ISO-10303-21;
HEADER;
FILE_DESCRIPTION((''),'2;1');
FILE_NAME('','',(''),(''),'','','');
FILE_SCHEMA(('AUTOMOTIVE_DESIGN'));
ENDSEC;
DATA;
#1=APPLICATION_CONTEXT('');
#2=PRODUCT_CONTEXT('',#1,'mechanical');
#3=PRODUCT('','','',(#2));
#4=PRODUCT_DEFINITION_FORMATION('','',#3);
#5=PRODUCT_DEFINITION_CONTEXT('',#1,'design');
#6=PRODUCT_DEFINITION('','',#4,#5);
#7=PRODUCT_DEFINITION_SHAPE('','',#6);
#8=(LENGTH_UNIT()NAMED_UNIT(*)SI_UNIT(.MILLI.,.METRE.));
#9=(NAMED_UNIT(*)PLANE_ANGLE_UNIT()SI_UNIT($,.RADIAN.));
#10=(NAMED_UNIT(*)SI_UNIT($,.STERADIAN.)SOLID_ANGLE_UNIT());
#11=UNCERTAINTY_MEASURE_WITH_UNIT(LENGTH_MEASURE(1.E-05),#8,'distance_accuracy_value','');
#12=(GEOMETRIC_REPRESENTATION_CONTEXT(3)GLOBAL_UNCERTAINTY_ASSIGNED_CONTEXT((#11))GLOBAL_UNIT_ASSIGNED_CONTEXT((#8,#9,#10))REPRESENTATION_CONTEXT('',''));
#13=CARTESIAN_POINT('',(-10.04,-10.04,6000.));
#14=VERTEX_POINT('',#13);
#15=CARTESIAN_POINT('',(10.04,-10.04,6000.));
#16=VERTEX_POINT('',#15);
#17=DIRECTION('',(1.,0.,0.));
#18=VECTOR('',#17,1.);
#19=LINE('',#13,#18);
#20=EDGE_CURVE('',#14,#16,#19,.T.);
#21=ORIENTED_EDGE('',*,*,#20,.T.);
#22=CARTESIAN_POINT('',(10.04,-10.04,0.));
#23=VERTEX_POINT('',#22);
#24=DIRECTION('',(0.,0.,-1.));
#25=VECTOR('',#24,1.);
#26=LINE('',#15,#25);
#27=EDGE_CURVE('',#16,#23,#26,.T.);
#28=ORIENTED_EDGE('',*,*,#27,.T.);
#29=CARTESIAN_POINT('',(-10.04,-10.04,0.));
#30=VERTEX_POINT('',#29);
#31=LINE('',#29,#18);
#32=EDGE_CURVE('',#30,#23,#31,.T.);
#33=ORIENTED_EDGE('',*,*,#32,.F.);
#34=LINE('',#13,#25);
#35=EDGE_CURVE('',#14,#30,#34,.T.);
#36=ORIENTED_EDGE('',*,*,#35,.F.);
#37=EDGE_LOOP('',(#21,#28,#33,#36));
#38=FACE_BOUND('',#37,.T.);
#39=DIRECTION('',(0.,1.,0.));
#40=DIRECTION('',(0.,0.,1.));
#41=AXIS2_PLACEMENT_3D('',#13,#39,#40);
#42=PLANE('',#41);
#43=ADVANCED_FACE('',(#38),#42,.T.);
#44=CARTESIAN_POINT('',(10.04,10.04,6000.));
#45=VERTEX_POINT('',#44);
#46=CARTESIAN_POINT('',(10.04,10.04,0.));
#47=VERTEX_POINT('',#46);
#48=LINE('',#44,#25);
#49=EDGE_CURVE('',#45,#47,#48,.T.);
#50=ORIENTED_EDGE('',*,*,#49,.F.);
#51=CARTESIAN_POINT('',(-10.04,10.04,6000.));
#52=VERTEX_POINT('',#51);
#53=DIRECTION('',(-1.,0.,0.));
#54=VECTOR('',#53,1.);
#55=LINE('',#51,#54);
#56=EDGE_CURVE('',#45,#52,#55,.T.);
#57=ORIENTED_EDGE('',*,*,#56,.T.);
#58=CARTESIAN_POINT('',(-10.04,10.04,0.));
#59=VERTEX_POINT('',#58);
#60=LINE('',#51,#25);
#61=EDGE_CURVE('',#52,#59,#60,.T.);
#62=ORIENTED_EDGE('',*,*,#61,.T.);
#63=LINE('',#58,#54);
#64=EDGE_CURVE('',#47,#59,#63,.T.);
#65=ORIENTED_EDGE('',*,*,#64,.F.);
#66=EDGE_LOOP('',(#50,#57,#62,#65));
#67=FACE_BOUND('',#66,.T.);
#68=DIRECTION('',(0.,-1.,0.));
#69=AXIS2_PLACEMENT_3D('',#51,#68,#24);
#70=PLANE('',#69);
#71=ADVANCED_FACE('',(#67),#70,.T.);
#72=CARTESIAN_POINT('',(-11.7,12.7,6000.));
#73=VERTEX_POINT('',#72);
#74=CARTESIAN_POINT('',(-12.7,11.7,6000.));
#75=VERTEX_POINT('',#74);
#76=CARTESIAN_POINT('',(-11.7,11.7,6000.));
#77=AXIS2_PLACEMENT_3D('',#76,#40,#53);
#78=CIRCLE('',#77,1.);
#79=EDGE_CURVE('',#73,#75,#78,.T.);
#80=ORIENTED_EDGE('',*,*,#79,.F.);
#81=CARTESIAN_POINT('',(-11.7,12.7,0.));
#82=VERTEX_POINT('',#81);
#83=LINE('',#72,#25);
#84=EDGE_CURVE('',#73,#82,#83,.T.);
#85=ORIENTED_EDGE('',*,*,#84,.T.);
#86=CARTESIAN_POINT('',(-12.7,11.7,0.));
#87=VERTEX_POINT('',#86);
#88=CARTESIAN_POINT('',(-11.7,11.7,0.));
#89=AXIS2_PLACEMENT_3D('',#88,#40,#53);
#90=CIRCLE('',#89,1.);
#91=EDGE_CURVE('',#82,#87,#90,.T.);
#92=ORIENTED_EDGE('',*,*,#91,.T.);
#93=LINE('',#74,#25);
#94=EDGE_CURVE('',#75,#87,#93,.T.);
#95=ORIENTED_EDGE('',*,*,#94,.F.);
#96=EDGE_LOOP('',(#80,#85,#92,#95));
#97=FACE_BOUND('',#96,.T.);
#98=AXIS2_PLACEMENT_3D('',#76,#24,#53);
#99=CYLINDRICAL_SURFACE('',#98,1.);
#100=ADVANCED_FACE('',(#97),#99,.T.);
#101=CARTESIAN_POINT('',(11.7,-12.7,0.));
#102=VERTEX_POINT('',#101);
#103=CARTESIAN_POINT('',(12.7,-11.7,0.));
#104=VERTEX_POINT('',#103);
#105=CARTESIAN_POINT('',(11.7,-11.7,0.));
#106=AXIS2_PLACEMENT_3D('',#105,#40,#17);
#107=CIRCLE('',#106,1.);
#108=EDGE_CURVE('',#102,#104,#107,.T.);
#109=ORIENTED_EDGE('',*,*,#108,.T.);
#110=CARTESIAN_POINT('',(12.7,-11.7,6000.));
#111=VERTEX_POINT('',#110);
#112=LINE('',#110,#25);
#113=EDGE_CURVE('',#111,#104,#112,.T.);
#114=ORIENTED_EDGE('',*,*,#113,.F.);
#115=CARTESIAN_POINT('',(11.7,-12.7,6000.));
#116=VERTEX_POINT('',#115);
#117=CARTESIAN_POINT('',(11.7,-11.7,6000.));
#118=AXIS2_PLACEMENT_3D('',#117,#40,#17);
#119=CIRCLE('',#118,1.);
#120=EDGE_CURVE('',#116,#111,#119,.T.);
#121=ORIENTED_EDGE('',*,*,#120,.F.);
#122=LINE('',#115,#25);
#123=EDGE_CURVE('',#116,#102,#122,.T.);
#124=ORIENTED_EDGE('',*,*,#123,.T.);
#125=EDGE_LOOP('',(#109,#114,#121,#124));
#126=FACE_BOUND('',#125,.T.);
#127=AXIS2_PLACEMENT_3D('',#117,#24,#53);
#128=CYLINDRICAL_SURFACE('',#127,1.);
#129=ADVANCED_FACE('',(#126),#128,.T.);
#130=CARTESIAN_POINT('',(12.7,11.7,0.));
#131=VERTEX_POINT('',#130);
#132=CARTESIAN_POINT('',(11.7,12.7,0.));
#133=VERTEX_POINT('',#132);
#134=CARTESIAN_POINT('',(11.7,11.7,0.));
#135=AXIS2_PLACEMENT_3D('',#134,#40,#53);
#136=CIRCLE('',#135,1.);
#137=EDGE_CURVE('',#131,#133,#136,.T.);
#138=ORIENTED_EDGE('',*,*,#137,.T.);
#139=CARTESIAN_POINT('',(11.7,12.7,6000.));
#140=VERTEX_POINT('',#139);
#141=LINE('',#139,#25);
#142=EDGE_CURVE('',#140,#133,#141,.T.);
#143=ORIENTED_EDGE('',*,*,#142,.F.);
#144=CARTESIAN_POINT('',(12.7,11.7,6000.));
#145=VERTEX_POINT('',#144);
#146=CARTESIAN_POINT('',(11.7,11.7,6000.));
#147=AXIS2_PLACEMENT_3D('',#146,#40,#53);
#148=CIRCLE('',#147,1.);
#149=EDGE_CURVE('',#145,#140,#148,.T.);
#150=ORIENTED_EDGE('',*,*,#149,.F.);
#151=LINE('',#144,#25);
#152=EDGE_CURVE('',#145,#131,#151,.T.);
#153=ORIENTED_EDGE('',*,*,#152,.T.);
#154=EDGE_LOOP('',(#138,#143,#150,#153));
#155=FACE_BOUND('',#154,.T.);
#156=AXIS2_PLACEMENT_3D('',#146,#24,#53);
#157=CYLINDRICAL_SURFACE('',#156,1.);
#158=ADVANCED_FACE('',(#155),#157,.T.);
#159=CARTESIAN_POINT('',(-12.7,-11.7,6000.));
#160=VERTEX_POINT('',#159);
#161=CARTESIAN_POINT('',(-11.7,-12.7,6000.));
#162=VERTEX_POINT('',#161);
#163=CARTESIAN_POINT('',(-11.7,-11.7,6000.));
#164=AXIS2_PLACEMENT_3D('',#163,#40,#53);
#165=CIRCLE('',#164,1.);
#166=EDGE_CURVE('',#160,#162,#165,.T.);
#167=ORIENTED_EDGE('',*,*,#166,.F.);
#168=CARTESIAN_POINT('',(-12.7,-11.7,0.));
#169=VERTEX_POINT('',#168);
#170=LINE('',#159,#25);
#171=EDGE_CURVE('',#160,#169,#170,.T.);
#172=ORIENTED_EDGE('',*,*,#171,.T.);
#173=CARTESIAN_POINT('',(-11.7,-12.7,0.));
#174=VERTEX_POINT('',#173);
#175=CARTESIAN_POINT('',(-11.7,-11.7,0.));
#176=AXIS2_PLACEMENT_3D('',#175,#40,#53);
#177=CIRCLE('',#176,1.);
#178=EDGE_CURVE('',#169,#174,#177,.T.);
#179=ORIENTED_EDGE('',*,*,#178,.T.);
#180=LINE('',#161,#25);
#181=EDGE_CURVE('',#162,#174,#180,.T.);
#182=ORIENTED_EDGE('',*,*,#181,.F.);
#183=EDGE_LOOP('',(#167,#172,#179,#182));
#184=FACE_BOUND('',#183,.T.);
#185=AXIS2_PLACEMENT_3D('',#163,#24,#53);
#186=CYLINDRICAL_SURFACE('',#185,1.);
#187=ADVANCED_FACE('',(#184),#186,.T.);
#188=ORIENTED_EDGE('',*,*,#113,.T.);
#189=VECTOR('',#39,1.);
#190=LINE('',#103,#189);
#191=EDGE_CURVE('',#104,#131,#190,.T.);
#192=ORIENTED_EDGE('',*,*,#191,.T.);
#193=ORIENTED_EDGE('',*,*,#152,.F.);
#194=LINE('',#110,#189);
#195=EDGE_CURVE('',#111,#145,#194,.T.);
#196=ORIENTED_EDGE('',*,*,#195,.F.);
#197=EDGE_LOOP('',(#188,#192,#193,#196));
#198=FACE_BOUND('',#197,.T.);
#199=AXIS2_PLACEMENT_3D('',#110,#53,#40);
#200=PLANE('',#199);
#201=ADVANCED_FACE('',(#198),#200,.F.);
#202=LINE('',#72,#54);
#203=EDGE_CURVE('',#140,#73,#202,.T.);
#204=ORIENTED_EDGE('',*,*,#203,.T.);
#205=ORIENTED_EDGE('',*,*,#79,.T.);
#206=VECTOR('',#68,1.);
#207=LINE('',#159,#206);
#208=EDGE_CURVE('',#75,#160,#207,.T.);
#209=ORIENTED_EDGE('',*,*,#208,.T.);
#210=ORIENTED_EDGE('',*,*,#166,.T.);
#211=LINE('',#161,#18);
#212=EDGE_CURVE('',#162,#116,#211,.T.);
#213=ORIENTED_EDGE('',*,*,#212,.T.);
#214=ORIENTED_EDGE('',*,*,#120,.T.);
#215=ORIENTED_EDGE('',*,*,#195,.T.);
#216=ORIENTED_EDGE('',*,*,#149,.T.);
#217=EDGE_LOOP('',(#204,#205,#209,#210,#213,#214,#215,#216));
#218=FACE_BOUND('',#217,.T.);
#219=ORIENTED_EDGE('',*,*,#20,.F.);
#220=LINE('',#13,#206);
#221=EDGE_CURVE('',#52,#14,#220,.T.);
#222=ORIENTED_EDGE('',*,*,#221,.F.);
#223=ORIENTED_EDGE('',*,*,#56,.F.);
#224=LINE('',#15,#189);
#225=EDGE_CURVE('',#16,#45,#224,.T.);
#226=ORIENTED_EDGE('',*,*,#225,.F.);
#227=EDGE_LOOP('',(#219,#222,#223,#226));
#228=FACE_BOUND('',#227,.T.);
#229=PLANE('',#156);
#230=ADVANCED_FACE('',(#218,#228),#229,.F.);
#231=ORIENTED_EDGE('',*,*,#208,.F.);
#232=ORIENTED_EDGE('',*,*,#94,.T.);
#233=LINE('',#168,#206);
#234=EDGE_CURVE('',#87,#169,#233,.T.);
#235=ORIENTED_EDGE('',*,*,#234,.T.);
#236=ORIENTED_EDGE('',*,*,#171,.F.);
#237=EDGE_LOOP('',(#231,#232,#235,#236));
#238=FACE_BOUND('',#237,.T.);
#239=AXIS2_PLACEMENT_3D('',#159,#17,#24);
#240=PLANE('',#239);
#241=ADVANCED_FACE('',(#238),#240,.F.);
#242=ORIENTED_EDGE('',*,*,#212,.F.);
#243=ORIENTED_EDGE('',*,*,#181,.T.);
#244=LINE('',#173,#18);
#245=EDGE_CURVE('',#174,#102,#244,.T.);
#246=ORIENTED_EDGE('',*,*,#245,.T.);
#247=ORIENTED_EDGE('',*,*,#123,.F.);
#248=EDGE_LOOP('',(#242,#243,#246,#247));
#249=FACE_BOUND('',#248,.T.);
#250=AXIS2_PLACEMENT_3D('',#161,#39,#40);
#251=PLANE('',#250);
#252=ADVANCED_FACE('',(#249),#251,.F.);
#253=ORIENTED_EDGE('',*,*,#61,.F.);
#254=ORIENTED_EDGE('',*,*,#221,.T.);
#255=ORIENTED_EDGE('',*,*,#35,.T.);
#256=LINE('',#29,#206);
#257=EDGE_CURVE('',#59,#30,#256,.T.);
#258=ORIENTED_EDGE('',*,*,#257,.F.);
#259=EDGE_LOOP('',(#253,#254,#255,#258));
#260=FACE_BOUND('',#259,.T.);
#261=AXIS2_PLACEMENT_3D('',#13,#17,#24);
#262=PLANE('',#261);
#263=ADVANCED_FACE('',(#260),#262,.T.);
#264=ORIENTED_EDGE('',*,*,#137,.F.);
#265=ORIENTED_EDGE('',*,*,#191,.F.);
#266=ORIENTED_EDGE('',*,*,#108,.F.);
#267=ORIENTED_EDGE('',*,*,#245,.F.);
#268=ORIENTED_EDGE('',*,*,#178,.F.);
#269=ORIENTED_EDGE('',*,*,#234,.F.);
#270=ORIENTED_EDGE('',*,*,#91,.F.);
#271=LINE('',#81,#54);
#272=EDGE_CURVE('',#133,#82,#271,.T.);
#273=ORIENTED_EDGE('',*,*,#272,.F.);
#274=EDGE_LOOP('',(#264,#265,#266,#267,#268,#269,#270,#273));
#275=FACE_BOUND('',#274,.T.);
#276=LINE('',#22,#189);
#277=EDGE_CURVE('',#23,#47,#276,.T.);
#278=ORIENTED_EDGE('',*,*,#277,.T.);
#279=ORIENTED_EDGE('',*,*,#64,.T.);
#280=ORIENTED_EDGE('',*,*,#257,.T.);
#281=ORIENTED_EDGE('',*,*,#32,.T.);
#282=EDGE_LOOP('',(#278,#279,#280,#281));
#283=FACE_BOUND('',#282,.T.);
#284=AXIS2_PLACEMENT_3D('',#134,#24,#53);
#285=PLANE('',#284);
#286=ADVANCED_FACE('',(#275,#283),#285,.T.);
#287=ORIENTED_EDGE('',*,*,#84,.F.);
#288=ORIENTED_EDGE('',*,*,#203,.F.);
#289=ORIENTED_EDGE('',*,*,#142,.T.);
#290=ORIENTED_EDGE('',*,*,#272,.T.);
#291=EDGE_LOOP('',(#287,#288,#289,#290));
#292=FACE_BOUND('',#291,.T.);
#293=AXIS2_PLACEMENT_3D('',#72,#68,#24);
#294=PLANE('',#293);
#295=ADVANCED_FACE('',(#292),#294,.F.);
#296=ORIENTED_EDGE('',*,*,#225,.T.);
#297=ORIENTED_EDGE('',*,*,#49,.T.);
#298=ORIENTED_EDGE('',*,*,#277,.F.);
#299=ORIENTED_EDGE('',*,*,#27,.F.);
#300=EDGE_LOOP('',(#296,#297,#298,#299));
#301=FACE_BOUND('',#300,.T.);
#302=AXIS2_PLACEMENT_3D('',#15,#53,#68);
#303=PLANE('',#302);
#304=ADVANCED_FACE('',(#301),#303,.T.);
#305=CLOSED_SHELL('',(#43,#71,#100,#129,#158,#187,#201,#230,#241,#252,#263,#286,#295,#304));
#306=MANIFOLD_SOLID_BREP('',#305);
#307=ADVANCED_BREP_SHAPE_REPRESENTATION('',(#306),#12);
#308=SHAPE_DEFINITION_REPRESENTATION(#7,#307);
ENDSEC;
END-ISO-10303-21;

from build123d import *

# Parameters (mm, degrees)
CROQUIS1_W              = 20.08
CROQUIS1_H              = 20.08
SALIENTE_EXTRUIR1_DEPTH = 6000


with BuildPart() as part:
    # Croquis1 → Saliente-Extruir1 (new body)
    with BuildSketch(Plane.XY):
        with BuildLine():
            Line((-11.7, -12.7), (11.7, -12.7))
            ThreePointArc((11.7, -12.7), (12.407106781, -12.407106781), (12.7, -11.7))
            Line((12.7, -11.7), (12.7, 11.7))
            ThreePointArc((12.7, 11.7), (12.407106781, 12.407106781), (11.7, 12.7))
            Line((11.7, 12.7), (-11.7, 12.7))
            ThreePointArc((-11.7, 12.7), (-12.407106781, 12.407106781), (-12.7, 11.7))
            Line((-12.7, 11.7), (-12.7, -11.7))
            ThreePointArc((-12.7, -11.7), (-12.407106781, -12.407106781), (-11.7, -12.7))
        make_face()
        Rectangle(CROQUIS1_W, CROQUIS1_H, mode=Mode.SUBTRACT)
    extrude(amount=SALIENTE_EXTRUIR1_DEPTH)


solid = part.part
